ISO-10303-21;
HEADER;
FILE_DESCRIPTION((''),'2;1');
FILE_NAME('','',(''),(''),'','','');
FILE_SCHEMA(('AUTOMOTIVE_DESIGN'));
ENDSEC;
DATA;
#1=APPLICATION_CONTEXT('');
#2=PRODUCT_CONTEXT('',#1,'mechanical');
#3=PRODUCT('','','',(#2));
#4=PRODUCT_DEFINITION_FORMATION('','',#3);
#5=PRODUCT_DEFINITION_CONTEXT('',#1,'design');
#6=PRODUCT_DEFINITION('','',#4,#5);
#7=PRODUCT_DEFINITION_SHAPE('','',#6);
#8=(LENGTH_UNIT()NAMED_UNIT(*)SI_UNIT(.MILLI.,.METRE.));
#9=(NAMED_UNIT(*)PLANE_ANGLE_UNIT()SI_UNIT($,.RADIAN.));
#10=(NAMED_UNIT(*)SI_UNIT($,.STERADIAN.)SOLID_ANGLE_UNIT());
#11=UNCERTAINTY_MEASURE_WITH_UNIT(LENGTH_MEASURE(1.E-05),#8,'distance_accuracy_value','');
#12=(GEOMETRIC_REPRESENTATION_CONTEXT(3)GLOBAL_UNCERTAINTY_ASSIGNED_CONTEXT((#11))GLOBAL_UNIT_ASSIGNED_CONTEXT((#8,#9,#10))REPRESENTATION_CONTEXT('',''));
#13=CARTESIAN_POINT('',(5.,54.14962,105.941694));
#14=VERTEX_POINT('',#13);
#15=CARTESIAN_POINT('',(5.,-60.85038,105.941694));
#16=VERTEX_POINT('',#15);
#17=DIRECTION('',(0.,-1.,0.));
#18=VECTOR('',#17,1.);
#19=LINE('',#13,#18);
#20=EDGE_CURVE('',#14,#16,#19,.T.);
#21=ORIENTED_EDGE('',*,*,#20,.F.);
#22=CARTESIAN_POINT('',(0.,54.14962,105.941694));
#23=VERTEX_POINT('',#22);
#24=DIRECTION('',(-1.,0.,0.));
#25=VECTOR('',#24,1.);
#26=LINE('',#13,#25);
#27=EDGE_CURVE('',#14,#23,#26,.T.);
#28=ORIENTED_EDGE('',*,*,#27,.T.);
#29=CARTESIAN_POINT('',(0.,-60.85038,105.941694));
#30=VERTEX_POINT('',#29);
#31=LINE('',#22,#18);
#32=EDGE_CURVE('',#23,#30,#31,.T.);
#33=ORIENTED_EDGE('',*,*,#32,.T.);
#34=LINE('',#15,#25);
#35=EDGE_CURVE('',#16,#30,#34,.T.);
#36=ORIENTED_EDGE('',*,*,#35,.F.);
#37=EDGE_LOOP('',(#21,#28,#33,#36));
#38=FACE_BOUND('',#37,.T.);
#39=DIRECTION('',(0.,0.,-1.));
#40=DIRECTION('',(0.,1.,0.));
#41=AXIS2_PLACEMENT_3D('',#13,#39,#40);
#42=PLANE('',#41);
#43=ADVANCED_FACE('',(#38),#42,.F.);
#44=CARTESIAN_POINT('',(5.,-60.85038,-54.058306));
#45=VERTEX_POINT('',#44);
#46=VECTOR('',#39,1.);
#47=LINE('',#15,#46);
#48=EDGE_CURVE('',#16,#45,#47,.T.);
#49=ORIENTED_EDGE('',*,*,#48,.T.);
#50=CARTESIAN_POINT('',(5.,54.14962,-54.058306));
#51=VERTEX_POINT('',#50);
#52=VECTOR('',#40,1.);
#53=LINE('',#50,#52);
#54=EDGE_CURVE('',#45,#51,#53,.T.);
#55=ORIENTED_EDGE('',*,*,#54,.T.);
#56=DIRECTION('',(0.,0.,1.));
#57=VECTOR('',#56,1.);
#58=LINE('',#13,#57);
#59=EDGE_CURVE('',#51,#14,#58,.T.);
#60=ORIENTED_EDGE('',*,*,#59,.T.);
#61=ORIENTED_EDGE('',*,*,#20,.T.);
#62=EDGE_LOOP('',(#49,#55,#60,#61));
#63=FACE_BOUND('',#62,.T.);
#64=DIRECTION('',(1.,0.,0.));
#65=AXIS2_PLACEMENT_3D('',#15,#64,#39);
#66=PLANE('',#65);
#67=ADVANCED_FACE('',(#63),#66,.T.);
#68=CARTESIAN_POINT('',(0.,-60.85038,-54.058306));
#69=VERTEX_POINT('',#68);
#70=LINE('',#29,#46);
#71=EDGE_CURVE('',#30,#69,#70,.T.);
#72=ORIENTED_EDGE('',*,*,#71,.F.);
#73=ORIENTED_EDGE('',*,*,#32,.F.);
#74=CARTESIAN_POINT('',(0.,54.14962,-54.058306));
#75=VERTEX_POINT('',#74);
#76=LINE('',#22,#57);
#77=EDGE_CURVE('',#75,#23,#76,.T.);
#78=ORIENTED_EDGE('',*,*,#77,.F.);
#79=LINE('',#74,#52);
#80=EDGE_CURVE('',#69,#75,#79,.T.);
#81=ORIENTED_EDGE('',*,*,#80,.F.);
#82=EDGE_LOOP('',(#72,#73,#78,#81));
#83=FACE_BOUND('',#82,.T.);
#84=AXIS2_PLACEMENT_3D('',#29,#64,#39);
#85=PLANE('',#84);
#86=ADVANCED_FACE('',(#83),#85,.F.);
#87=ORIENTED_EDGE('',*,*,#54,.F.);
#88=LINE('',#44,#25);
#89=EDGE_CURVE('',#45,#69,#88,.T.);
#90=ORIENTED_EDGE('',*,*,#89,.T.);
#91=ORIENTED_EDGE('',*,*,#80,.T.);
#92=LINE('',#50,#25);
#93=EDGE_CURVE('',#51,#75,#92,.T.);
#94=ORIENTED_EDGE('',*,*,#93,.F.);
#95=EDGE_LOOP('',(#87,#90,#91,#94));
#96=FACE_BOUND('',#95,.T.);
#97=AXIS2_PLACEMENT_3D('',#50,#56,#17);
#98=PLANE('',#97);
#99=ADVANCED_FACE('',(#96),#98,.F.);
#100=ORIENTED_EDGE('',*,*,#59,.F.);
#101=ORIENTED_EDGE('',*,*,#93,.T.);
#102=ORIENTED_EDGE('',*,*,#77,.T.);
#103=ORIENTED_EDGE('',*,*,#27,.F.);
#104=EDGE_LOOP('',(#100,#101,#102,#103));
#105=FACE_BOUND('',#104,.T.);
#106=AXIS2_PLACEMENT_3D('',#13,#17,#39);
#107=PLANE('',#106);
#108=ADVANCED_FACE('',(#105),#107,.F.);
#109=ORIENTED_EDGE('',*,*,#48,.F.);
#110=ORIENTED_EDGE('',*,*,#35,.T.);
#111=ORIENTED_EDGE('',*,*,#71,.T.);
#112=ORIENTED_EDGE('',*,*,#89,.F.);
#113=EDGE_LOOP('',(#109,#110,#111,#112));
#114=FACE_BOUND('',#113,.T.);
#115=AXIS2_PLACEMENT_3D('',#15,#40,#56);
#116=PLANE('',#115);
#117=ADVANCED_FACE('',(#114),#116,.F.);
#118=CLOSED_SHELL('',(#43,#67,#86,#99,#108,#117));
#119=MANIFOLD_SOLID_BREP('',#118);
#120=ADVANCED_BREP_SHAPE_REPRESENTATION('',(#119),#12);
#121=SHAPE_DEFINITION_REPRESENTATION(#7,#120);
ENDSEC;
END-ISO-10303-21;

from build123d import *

# Parameters (mm, degrees)
SKETCH_1_W      = 160
SKETCH_1_H      = 115
EXTRUDE_1_DEPTH = 5


with BuildPart() as part:
    # Эскиз1 → Вытянуть1 (new body)
    with BuildSketch(Plane(origin=(0, 0, 0), x_dir=(0, 0, -1), z_dir=(1, 0, 0))):
        with Locations((-25.941693652, -3.350379538)):
            Rectangle(SKETCH_1_W, SKETCH_1_H)
    extrude(amount=EXTRUDE_1_DEPTH)


solid = part.part
